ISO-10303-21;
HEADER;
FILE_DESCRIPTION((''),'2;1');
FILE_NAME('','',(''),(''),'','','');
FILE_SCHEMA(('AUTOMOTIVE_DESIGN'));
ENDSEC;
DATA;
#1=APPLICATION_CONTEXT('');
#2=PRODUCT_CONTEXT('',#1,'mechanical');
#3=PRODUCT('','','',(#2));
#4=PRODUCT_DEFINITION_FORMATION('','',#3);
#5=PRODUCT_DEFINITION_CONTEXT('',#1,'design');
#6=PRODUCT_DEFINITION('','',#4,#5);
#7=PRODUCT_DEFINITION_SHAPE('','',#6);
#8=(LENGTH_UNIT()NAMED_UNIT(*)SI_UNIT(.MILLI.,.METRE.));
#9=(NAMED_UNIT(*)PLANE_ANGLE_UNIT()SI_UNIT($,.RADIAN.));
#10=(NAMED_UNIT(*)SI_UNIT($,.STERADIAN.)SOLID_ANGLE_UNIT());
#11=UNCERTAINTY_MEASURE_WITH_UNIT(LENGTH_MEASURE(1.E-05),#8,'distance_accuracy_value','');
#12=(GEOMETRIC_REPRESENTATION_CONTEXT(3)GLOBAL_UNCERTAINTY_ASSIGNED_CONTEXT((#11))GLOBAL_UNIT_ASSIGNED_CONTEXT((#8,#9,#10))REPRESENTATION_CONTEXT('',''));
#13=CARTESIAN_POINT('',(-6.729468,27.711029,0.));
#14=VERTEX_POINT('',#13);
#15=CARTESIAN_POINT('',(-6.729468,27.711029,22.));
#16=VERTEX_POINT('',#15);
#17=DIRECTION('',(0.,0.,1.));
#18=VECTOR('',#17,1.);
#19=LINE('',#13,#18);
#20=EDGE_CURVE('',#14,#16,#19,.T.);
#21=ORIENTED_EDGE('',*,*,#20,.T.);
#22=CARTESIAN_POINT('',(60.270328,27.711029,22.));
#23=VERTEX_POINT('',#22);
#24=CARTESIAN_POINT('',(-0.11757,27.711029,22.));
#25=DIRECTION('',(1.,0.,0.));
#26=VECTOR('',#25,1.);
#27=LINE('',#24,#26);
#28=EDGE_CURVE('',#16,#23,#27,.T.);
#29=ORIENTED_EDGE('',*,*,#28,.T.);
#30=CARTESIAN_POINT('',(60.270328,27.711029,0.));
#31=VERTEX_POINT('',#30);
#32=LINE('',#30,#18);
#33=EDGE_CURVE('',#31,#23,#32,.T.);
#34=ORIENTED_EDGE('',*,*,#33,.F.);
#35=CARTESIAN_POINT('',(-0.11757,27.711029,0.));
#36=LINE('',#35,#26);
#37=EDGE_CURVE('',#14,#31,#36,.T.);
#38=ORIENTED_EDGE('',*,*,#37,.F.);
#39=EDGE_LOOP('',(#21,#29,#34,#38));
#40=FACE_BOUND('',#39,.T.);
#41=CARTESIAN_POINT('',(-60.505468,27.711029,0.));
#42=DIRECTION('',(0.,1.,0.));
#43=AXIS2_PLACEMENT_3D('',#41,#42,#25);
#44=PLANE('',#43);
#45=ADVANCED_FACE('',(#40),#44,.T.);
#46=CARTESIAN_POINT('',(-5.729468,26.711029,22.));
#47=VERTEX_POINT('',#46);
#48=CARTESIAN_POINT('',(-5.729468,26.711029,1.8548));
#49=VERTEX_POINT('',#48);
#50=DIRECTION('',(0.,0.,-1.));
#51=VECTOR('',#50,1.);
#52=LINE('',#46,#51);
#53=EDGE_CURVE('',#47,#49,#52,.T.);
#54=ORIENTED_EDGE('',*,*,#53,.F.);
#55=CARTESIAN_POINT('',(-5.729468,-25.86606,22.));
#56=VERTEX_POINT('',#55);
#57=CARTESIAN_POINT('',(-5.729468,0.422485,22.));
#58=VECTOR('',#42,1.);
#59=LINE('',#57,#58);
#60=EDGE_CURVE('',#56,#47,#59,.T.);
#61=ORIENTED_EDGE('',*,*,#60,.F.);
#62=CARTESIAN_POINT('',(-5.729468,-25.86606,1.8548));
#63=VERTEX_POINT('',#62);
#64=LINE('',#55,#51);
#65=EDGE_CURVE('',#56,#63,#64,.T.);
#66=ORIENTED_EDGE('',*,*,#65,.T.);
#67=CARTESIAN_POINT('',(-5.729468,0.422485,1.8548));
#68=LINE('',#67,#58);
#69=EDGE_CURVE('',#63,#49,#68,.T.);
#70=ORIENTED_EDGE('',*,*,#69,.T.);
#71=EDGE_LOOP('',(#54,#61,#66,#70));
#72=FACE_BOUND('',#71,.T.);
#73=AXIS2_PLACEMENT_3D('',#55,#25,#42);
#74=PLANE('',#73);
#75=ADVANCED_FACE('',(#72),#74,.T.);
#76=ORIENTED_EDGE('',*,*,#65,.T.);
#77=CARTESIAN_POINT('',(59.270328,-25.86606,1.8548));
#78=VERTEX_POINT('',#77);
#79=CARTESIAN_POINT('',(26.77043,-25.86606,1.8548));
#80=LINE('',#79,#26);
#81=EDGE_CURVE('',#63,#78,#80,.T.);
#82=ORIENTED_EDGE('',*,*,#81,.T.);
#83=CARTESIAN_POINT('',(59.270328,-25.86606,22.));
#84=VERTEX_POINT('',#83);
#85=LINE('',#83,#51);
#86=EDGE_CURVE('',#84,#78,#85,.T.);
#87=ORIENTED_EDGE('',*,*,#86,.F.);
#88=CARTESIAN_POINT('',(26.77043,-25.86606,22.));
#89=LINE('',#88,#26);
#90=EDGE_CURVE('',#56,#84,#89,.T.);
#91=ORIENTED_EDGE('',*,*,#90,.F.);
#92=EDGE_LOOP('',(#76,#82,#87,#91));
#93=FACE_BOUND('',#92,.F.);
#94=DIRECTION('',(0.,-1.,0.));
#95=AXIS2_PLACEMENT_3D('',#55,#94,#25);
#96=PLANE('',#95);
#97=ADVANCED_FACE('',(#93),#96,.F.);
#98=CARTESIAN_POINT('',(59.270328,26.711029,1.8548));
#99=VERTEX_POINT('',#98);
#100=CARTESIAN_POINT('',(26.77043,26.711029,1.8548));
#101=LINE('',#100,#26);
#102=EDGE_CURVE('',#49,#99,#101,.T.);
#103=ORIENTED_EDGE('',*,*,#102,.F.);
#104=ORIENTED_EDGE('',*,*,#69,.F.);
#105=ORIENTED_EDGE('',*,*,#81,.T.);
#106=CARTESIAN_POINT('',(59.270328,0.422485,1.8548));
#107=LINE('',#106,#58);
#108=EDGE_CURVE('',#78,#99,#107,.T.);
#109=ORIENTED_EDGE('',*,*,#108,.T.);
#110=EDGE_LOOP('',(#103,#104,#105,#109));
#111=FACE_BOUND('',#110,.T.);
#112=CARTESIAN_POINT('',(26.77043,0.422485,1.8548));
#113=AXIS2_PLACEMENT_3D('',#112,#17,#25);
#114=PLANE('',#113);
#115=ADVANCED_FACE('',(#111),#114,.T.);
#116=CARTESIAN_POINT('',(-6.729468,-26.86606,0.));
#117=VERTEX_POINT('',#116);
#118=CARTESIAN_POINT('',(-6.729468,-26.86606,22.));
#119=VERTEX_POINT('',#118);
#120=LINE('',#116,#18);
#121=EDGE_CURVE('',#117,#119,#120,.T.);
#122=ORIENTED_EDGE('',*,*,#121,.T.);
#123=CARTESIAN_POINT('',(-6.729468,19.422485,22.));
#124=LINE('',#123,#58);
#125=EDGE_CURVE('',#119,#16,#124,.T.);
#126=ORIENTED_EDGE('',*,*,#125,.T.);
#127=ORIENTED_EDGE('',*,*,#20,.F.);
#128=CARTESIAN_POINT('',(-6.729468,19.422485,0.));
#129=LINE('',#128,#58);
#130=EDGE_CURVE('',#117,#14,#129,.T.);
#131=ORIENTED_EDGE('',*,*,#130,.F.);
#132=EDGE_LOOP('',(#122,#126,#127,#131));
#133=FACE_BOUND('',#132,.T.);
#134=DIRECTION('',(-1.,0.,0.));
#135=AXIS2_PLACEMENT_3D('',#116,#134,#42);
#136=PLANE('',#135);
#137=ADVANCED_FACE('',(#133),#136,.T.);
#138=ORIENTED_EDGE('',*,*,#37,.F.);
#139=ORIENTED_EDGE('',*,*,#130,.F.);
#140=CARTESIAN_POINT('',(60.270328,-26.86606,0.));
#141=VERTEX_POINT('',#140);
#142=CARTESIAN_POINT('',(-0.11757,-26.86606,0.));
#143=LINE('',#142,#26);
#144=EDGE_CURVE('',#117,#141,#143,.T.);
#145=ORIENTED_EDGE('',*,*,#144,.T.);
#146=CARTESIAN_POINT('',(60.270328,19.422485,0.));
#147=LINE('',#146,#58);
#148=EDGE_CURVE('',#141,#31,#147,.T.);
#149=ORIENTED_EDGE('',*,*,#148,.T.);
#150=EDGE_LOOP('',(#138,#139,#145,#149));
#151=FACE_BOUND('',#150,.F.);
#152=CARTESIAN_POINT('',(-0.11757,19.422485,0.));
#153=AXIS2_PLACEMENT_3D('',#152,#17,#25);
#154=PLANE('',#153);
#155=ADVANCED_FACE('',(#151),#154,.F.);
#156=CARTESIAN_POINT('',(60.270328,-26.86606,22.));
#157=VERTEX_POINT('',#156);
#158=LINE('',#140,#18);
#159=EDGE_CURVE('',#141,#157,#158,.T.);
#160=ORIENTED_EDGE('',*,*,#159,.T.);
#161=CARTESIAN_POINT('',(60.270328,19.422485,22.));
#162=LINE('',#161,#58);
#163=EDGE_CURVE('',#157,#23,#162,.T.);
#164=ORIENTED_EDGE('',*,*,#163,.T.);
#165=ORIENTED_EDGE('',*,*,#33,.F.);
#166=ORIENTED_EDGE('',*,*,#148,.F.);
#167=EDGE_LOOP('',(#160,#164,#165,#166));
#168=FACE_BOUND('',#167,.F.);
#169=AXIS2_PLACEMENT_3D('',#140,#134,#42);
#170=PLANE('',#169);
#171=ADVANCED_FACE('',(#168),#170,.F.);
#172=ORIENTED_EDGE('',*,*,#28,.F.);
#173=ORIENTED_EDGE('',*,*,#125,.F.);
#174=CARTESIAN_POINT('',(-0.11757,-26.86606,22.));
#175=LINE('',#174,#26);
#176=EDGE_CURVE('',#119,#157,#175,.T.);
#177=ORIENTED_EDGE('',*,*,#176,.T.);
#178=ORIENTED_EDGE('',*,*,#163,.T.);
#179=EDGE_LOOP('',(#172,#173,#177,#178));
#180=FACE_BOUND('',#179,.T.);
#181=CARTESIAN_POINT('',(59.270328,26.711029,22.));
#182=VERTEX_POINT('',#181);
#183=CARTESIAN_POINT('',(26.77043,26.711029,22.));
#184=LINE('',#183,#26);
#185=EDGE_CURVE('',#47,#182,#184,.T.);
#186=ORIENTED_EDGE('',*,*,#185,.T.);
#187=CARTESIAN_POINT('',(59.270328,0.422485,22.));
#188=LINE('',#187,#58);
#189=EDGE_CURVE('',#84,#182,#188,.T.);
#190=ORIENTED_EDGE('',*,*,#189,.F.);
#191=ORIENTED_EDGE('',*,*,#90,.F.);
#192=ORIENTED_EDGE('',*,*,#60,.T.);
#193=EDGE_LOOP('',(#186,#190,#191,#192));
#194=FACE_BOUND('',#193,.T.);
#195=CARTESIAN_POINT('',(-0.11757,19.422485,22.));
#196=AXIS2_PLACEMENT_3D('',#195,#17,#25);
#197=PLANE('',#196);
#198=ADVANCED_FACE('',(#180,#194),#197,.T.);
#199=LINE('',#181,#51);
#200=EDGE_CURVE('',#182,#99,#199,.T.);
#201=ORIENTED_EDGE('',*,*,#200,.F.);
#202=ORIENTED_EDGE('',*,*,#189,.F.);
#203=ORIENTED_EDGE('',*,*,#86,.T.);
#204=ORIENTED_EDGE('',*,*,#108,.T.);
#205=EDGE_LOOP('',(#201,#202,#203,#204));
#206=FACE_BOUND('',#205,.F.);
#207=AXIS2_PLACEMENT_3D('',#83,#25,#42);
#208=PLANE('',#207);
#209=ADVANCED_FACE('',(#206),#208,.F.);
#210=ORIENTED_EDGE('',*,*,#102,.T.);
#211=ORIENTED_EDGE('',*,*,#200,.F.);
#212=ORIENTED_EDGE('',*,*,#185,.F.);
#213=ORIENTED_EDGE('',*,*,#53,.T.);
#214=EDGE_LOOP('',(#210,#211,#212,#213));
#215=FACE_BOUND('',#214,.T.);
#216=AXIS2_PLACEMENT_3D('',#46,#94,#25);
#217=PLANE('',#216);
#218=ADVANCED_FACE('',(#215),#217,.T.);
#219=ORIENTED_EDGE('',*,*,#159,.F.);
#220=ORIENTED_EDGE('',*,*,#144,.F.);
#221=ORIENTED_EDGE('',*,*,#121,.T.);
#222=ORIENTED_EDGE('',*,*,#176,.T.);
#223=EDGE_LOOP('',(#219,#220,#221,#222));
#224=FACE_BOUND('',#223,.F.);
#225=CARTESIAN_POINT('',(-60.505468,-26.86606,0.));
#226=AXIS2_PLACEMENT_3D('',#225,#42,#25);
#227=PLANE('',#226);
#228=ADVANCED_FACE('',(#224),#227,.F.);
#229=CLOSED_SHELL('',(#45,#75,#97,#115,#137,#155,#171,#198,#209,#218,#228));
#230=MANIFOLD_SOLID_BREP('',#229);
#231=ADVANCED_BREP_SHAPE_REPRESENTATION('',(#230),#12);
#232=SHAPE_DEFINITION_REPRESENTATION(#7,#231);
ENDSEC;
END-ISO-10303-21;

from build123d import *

# Parameters (mm, degrees)
F0_W     = 120.775796473
F0_H     = 92.5770886242
F1_DEPTH = 22
F2_DEPTH = 53.776
F3_DEPTH = 38
F5_W     = 64.999796473
F5_H     = 52.5770886242
F6_DEPTH = 20.1452


with BuildPart() as f1:
    # F0 (on Top) → F1 (new body)
    with BuildSketch(Plane.XY):
        with Locations((-0.1175701618, 19.4224845618)):
            Rectangle(F0_W, F0_H)
    extrude(amount=F1_DEPTH)

    # F2 (cut): a face of the model
    f2_faces = [f1.faces().sort_by_distance(p)[0] for p in [
        (-60.5054683983, 19.4224845618, 11),
    ]]
    extrude(f2_faces, amount=-F2_DEPTH, mode=Mode.SUBTRACT)

    # F3 (cut): a face of the model
    f3_faces = [f1.faces().sort_by_distance(p)[0] for p in [
        (26.7704298382, 65.7110288739, 11),
    ]]
    extrude(f3_faces, amount=-F3_DEPTH, mode=Mode.SUBTRACT)

    # F5 (on face) → F6 (cut)
    with BuildSketch(Plane.XY.offset(22)):
        with Locations((26.7704298382, 0.4224845618)):
            Rectangle(F5_W, F5_H)
    extrude(amount=-F6_DEPTH, mode=Mode.SUBTRACT)


solid = f1.part
